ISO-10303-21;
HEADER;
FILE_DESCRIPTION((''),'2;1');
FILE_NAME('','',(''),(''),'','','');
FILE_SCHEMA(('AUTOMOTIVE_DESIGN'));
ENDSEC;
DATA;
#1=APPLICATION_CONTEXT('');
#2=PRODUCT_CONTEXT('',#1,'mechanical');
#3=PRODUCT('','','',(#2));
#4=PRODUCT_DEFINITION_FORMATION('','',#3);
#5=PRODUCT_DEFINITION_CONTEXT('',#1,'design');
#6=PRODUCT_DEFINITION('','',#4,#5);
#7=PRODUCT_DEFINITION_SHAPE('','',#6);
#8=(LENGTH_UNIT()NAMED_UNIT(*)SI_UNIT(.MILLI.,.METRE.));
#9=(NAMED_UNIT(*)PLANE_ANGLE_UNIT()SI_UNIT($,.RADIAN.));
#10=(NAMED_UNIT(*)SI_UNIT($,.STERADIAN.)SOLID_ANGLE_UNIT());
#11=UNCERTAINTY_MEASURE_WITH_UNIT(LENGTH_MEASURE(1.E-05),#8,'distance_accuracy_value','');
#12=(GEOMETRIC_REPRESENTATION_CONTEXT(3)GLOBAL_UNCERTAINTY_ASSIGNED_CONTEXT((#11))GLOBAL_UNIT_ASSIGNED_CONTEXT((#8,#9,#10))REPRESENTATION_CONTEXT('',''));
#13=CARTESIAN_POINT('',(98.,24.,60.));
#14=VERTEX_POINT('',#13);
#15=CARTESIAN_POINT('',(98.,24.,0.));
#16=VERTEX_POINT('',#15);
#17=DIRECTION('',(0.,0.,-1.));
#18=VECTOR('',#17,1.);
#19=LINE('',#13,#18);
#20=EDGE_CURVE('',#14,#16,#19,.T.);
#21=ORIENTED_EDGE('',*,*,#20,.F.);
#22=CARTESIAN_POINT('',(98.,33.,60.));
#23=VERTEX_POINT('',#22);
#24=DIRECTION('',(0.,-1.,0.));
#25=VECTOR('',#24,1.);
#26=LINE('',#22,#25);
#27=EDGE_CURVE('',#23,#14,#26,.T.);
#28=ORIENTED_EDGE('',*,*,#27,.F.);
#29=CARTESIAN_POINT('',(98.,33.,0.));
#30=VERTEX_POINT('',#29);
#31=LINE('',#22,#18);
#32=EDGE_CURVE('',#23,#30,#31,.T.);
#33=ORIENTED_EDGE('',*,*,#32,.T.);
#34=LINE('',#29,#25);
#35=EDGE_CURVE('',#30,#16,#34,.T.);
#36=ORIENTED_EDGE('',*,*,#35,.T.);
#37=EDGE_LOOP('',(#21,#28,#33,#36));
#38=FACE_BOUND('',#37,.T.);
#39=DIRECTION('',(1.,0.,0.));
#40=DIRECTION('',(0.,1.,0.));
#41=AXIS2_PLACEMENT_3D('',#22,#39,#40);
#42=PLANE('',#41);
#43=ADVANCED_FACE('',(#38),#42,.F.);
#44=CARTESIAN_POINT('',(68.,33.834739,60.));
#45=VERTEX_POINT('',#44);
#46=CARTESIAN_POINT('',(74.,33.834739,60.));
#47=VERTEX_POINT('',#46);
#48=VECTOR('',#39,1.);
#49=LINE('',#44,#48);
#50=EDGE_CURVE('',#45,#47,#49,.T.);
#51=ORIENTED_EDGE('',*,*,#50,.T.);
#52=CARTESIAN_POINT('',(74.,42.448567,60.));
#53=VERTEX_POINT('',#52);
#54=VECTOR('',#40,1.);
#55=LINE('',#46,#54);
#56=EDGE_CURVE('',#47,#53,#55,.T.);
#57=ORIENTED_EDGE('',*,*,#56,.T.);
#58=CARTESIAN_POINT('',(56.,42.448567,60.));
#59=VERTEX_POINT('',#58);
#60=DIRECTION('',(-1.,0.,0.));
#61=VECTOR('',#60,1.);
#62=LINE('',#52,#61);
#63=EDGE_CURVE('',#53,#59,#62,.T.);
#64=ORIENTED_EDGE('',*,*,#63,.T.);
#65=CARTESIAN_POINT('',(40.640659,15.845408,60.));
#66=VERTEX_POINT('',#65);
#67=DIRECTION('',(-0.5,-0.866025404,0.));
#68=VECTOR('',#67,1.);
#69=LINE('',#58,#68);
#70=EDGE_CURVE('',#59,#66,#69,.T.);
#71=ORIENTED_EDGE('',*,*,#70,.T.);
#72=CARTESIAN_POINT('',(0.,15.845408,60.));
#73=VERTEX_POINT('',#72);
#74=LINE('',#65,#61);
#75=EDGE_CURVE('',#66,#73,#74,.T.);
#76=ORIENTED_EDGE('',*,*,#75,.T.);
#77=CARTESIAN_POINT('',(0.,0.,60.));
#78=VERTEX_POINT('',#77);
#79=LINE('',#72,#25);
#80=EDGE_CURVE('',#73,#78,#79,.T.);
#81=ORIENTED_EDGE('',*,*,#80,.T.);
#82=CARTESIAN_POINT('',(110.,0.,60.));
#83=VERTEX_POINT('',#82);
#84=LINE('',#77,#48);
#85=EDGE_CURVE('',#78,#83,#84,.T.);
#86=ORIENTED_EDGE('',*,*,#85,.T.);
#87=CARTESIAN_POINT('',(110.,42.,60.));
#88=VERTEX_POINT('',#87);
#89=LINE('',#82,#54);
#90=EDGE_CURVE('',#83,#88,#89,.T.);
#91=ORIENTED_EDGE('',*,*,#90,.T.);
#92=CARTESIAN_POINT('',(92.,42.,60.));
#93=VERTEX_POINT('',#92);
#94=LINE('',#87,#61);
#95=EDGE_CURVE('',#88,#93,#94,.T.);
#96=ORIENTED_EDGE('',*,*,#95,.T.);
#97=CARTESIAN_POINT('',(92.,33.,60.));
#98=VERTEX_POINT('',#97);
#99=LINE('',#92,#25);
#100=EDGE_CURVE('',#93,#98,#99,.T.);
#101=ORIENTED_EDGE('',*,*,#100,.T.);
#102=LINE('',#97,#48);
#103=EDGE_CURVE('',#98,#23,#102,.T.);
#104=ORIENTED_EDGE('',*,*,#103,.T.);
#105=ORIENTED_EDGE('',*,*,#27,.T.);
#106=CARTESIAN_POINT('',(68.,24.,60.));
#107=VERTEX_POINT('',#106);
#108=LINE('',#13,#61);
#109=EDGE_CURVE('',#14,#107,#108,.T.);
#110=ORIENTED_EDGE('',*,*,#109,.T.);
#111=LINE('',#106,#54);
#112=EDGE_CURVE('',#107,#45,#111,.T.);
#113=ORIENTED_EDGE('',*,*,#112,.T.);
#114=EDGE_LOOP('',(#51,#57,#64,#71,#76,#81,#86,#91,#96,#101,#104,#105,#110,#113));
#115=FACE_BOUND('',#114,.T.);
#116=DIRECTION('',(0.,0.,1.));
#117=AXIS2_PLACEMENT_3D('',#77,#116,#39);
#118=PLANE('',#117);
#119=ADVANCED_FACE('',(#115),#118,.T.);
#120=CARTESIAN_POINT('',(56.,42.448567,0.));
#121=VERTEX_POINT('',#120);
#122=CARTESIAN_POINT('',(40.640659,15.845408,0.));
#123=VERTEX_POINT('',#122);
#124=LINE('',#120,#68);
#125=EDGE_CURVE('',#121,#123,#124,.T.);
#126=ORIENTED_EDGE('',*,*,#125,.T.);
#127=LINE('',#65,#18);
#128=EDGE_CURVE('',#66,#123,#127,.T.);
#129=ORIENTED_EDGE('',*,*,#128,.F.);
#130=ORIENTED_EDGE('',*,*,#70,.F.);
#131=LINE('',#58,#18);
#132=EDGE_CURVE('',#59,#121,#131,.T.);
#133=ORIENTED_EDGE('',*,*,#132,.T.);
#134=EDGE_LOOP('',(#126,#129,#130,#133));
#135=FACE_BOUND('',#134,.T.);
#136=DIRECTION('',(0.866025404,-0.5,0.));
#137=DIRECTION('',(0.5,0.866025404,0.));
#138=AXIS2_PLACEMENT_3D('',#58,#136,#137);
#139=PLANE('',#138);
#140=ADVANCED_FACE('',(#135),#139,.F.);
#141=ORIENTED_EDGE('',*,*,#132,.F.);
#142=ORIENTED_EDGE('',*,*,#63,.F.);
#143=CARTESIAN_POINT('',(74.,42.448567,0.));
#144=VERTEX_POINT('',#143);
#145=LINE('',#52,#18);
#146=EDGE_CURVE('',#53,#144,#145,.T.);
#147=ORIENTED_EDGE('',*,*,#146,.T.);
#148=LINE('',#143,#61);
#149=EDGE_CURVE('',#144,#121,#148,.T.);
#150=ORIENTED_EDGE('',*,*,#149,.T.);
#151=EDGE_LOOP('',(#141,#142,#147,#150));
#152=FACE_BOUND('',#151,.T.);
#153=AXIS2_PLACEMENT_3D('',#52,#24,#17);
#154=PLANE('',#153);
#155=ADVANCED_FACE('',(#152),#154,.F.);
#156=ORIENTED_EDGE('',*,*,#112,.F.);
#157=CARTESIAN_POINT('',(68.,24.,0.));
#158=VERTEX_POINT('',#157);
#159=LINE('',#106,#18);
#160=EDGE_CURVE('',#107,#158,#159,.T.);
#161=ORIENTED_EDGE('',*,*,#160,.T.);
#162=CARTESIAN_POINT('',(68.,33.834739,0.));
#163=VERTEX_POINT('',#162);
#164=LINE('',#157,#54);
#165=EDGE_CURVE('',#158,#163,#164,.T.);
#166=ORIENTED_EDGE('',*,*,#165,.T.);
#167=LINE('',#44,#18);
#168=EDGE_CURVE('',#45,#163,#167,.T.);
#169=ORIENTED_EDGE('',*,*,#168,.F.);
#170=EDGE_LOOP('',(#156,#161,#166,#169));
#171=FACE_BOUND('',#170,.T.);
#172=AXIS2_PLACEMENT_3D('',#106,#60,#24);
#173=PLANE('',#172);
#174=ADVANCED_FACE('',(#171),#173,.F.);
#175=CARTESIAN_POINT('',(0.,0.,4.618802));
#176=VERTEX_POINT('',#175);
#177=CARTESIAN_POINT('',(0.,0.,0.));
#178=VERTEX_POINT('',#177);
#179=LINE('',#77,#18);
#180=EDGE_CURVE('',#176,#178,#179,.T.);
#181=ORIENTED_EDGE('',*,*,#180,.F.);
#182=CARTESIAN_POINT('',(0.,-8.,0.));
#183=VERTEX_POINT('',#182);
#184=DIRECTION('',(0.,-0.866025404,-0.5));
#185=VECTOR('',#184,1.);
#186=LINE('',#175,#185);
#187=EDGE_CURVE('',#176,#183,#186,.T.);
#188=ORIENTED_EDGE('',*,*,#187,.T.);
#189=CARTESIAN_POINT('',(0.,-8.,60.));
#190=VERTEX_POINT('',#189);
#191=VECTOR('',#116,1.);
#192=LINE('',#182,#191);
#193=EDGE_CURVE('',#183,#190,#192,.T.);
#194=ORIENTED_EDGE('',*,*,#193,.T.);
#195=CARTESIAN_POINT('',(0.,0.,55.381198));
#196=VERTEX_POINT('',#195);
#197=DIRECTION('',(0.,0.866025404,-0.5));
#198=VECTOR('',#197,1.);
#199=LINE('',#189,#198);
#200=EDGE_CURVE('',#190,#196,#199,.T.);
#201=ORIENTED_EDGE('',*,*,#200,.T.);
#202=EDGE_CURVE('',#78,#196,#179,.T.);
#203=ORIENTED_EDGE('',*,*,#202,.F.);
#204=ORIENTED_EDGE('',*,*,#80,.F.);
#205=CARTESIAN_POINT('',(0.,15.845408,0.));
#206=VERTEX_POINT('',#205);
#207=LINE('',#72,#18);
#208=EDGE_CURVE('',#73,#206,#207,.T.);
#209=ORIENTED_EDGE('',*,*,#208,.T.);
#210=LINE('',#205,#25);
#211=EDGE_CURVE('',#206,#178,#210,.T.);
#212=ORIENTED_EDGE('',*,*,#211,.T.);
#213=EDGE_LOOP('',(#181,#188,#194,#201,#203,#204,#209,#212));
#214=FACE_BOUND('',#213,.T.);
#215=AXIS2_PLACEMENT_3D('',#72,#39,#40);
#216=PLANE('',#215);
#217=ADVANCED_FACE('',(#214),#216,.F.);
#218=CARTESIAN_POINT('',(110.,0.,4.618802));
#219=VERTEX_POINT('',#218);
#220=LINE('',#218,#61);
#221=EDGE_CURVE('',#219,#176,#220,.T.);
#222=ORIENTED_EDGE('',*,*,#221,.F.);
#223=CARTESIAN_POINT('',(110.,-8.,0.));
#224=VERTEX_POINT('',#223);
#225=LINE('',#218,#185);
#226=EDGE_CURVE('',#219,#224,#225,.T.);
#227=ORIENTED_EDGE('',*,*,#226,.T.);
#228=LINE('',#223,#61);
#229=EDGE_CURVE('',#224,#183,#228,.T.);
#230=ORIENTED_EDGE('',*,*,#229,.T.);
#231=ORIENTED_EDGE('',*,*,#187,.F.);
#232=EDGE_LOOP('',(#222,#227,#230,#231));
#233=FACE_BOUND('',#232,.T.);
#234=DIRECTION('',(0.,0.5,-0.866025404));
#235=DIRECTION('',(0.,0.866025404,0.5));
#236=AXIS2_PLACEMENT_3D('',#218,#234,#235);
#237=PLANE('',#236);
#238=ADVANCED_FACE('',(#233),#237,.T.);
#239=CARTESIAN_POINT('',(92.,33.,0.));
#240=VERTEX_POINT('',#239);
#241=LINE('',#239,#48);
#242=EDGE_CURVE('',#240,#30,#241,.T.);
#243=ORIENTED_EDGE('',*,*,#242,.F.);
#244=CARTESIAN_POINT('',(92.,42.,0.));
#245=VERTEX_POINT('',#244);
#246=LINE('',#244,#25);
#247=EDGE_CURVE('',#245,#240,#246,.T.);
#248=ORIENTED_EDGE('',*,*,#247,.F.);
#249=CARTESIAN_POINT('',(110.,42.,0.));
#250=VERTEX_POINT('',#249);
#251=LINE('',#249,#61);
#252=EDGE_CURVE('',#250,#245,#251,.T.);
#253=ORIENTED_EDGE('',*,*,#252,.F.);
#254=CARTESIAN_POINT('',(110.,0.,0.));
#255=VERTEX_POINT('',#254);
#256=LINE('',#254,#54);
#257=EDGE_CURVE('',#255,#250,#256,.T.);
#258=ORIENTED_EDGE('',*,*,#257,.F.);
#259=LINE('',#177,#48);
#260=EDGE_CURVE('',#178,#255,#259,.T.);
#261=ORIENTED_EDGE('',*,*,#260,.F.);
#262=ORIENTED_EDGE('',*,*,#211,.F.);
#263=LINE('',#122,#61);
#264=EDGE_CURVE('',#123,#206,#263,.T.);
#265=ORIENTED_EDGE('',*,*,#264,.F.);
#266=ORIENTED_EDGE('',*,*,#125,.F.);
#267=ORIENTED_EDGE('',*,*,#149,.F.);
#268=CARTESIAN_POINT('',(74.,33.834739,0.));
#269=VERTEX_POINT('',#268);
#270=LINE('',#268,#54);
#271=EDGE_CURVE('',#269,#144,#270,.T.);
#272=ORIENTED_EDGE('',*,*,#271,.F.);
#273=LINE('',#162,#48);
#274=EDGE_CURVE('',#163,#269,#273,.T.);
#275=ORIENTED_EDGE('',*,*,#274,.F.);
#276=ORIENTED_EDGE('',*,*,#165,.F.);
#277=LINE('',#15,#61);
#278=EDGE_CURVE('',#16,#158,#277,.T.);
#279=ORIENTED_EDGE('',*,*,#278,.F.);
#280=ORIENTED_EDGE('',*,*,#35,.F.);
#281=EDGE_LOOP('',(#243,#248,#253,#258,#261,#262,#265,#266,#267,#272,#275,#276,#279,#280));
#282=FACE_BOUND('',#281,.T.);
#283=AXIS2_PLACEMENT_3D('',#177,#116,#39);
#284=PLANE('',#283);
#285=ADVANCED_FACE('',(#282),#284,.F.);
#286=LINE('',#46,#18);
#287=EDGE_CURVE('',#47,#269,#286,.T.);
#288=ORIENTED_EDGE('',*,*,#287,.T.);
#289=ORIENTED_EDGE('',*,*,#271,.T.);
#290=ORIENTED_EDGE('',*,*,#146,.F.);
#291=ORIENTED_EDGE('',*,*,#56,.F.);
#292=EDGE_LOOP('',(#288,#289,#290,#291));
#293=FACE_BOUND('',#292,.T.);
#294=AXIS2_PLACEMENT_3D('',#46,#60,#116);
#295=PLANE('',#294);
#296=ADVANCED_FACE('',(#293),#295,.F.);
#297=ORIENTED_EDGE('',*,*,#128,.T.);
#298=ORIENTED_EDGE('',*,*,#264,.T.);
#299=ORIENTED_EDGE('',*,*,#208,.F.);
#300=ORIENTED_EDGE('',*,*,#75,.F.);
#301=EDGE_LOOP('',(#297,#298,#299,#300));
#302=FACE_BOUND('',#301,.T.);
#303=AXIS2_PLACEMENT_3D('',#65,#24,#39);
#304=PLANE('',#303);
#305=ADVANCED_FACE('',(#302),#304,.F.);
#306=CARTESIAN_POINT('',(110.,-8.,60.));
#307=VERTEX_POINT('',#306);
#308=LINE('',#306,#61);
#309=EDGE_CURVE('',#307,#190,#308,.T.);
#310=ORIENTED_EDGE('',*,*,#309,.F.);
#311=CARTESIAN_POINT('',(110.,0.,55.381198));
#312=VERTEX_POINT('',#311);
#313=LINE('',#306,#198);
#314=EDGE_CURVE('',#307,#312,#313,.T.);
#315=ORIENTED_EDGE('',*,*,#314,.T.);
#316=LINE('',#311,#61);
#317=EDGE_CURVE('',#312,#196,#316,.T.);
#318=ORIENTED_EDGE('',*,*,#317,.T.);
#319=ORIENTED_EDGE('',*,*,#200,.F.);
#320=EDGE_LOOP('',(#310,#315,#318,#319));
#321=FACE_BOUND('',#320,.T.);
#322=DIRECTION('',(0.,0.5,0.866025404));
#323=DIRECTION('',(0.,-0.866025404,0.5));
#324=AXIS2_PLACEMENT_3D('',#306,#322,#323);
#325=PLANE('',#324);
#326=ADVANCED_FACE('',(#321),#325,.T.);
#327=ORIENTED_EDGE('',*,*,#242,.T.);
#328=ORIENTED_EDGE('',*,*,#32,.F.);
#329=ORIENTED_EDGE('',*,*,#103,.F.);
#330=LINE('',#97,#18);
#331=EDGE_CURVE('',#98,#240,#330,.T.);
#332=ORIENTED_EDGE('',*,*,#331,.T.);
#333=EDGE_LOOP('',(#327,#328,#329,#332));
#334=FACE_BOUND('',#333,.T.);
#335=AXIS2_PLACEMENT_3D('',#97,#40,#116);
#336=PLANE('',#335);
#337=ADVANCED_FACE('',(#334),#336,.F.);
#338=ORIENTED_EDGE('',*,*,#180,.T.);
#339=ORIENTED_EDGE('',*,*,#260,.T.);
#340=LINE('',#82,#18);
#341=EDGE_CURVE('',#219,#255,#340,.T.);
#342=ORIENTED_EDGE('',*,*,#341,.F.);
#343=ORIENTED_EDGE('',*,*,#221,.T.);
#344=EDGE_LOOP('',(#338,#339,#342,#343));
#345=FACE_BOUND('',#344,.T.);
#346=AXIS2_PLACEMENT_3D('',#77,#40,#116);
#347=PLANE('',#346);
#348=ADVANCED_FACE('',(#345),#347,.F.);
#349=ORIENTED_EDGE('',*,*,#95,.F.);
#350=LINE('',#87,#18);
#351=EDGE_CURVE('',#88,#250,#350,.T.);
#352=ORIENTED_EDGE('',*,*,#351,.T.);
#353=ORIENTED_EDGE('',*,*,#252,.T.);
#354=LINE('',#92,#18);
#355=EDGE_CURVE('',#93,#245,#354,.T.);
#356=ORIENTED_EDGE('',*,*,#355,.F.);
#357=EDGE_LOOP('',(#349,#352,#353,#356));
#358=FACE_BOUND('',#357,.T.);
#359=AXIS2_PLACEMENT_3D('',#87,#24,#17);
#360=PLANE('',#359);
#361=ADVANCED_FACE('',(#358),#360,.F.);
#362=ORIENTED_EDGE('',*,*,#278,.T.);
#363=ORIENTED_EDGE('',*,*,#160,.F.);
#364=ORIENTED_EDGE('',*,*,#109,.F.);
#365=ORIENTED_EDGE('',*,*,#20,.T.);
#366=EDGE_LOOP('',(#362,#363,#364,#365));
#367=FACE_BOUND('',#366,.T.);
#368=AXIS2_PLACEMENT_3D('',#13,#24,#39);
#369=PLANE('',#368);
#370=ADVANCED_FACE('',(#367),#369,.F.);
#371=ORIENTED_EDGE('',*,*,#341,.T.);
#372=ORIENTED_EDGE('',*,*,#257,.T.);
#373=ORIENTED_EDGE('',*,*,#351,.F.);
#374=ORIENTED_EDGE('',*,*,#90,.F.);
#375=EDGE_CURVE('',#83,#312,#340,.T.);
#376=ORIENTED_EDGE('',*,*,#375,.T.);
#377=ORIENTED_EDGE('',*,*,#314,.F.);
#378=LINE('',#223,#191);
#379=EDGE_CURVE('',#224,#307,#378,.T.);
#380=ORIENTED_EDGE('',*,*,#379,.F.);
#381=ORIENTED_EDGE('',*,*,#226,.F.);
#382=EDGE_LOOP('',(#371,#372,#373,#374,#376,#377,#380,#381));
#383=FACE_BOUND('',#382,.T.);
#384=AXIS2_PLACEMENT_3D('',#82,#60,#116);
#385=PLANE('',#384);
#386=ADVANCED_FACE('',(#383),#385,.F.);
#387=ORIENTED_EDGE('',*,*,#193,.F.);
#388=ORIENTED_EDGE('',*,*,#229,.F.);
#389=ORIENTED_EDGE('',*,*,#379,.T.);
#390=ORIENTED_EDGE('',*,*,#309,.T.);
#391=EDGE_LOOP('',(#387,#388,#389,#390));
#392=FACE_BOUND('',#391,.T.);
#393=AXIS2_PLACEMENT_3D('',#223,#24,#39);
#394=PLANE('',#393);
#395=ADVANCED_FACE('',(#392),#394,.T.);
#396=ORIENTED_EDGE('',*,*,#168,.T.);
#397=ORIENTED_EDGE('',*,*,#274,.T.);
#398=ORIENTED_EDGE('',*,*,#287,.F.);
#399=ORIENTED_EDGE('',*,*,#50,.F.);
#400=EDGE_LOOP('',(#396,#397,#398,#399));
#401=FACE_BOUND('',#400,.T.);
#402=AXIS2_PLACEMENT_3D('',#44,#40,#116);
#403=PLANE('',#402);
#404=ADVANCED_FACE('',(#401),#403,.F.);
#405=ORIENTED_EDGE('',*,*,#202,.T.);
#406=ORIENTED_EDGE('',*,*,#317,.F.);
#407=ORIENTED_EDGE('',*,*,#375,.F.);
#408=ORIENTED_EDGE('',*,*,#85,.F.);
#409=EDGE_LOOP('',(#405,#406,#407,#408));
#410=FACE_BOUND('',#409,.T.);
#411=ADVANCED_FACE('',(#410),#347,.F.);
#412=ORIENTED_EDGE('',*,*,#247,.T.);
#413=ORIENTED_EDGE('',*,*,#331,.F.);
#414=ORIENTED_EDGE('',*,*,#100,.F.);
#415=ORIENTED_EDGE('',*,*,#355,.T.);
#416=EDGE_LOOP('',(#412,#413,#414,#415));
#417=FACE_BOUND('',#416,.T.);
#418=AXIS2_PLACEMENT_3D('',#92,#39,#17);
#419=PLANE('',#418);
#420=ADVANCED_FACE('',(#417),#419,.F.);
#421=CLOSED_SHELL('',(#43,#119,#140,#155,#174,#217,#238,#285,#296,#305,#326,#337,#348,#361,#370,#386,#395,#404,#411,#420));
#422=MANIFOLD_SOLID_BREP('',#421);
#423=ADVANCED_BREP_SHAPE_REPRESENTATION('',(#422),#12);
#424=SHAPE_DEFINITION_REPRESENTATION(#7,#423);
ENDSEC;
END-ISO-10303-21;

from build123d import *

# Parameters (mm, degrees)
BOSS_EXTRUDE1_DEPTH = 60
BOSS_EXTRUDE2_DEPTH = 110


with BuildPart() as part:
    # Sketch1 → Boss-Extrude1 (new body)
    with BuildSketch(Plane.XY):
        Polygon((0, 0), (110, 0), (110, 42), (92, 42), (92, 33), (98, 33), (98, 24), (68, 24), (68, 33.834738617), (74, 33.834738617), (74, 42.44856661), (56, 42.44856661), (40.640659473, 15.845408447), (0, 15.845408447), align=None)
    extrude(amount=BOSS_EXTRUDE1_DEPTH)

    # Sketch2 → Boss-Extrude2 (add)
    with BuildSketch(Plane.ZY):
        Polygon((0, -8), (60, -8), (55.381197846, 0), (4.618802154, 0), align=None)
    extrude(amount=-BOSS_EXTRUDE2_DEPTH)


solid = part.part
